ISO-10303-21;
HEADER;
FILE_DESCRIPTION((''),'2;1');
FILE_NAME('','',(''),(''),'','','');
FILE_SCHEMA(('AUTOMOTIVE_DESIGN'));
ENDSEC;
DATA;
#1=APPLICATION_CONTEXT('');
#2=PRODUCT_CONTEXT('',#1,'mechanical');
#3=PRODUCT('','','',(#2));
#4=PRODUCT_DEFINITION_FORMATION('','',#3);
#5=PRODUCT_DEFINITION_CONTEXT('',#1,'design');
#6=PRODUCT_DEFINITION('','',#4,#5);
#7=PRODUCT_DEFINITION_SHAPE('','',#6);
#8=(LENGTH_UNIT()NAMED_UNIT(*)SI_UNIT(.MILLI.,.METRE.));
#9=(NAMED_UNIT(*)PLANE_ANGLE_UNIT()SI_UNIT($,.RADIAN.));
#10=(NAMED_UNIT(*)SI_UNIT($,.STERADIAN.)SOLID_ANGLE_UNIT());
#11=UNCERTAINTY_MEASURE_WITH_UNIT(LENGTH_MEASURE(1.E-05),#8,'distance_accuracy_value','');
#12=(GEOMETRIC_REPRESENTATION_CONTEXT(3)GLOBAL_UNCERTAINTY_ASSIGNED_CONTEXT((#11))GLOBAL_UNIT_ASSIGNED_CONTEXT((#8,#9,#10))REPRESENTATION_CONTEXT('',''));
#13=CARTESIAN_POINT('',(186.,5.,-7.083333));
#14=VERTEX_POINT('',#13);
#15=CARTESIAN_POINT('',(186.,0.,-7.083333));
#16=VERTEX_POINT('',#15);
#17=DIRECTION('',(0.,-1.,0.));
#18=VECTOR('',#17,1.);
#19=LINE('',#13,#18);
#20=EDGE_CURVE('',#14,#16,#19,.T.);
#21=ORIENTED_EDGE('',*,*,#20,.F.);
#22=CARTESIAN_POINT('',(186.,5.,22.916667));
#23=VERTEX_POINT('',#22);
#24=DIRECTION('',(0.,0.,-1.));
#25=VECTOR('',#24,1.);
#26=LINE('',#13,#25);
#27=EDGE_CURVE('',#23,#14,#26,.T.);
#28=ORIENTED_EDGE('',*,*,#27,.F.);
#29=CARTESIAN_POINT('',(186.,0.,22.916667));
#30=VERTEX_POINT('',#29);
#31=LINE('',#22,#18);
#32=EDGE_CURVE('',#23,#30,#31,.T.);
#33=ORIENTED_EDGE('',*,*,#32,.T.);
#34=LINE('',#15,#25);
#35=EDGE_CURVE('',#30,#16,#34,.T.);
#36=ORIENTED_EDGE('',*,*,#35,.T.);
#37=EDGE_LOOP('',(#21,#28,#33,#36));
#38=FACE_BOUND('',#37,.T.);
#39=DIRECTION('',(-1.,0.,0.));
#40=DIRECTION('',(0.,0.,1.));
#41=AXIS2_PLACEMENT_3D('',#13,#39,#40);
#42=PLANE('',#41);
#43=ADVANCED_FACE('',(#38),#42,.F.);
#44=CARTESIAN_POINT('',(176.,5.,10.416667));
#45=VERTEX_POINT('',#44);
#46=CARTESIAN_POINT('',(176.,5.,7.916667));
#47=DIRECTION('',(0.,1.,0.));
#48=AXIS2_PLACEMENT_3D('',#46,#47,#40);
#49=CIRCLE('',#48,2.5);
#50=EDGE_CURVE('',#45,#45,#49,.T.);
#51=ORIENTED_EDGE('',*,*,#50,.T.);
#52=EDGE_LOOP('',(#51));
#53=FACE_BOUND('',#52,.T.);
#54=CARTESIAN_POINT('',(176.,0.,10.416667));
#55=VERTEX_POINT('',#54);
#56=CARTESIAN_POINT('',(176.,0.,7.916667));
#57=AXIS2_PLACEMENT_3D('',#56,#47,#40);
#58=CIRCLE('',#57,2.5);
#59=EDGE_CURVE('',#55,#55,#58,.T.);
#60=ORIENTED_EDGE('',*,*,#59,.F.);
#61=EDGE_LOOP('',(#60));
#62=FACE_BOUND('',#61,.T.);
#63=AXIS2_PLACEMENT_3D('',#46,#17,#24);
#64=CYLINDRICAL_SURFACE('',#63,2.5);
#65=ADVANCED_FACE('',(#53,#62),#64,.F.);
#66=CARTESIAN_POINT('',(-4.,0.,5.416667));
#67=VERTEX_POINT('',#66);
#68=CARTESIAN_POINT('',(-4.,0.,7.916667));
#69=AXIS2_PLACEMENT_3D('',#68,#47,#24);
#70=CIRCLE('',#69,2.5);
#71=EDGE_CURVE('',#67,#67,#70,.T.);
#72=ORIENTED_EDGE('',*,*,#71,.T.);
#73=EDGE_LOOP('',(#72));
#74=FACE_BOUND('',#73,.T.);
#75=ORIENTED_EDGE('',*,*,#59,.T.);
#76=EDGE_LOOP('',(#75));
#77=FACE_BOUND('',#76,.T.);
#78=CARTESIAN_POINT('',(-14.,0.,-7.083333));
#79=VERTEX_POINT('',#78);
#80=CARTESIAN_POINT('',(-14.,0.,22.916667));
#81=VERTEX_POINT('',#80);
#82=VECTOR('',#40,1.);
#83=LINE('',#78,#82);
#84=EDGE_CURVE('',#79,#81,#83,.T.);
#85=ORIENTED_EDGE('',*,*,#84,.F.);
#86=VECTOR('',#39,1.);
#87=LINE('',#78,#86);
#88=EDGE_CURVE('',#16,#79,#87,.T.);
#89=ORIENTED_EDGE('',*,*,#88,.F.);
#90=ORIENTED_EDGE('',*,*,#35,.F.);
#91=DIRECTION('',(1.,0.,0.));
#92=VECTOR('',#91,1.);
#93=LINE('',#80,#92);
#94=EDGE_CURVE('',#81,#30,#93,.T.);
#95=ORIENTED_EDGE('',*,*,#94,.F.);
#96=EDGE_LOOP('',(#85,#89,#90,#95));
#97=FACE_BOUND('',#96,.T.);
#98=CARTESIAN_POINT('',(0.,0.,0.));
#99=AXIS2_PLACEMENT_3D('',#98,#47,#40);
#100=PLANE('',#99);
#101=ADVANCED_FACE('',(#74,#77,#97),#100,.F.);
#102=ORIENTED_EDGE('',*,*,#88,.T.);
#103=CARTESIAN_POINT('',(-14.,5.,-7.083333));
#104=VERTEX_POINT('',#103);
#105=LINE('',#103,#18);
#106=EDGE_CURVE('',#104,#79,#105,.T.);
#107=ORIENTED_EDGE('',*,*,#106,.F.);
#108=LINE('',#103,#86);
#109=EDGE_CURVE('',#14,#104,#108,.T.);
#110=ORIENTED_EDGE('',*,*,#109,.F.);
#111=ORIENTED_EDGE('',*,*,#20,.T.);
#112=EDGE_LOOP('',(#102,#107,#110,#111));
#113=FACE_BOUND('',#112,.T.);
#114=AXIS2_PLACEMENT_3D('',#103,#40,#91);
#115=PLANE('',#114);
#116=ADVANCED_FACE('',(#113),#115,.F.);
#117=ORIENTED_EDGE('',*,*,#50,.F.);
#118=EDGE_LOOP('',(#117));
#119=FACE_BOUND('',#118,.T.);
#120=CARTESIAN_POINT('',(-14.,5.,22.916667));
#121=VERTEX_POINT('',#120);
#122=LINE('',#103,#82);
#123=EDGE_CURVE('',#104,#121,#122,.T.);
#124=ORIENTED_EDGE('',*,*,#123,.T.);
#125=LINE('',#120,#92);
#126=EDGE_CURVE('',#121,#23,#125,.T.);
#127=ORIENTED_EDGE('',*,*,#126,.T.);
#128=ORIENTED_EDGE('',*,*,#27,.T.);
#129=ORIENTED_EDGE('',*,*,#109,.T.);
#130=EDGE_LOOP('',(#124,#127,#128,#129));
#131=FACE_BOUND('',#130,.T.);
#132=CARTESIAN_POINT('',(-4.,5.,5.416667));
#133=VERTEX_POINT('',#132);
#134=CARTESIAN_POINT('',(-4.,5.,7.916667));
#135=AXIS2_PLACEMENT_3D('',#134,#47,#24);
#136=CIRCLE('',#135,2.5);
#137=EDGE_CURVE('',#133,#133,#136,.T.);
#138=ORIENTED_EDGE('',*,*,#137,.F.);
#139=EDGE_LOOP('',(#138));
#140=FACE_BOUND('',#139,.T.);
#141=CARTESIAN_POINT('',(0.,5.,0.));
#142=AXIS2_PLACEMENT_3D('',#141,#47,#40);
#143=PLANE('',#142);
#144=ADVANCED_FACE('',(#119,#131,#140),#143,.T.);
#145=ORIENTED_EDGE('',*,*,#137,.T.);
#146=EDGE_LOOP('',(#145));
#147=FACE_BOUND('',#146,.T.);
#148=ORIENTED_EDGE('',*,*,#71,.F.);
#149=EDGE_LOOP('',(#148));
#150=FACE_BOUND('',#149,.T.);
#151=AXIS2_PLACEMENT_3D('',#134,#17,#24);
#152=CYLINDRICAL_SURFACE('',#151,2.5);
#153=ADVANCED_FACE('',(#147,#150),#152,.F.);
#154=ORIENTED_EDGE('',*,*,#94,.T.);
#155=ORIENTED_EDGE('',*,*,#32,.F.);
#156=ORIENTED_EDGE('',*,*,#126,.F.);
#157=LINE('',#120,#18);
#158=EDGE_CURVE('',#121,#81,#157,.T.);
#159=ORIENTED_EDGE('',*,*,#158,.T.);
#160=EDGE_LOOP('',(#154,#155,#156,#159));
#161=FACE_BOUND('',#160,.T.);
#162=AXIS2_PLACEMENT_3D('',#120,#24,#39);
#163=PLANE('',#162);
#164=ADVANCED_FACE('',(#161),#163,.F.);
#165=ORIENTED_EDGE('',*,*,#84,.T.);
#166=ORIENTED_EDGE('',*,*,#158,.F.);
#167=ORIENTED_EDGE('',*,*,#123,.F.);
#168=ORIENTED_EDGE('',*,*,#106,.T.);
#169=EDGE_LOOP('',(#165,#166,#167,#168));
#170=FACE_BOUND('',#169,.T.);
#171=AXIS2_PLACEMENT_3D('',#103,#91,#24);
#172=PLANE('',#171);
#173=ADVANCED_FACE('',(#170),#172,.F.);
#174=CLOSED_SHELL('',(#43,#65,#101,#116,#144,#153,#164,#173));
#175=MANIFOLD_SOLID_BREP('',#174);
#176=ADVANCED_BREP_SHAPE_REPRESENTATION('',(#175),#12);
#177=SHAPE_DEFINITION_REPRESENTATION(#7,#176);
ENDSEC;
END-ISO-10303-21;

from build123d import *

# Parameters (mm, degrees)
SKETCH1_W           = 200
SKETCH1_H           = 30
SKETCH1_R           = 2.5
BOSS_EXTRUDE1_DEPTH = 5


with BuildPart() as part:
    # Sketch1 → Boss-Extrude1 (new body)
    with BuildSketch(Plane(origin=(0, 0, 0), x_dir=(1, 0, 0), z_dir=(0, 1, 0))):
        with Locations((86, -7.916666667)):
            Rectangle(SKETCH1_W, SKETCH1_H)
        with Locations(Location((176, -7.916666667, 0), (0, 0, 270))):
            Circle(SKETCH1_R, mode=Mode.SUBTRACT)
        with Locations(Location((-4, -7.916666667, 0), (0, 0, 90))):
            Circle(SKETCH1_R, mode=Mode.SUBTRACT)
    extrude(amount=BOSS_EXTRUDE1_DEPTH)


solid = part.part
